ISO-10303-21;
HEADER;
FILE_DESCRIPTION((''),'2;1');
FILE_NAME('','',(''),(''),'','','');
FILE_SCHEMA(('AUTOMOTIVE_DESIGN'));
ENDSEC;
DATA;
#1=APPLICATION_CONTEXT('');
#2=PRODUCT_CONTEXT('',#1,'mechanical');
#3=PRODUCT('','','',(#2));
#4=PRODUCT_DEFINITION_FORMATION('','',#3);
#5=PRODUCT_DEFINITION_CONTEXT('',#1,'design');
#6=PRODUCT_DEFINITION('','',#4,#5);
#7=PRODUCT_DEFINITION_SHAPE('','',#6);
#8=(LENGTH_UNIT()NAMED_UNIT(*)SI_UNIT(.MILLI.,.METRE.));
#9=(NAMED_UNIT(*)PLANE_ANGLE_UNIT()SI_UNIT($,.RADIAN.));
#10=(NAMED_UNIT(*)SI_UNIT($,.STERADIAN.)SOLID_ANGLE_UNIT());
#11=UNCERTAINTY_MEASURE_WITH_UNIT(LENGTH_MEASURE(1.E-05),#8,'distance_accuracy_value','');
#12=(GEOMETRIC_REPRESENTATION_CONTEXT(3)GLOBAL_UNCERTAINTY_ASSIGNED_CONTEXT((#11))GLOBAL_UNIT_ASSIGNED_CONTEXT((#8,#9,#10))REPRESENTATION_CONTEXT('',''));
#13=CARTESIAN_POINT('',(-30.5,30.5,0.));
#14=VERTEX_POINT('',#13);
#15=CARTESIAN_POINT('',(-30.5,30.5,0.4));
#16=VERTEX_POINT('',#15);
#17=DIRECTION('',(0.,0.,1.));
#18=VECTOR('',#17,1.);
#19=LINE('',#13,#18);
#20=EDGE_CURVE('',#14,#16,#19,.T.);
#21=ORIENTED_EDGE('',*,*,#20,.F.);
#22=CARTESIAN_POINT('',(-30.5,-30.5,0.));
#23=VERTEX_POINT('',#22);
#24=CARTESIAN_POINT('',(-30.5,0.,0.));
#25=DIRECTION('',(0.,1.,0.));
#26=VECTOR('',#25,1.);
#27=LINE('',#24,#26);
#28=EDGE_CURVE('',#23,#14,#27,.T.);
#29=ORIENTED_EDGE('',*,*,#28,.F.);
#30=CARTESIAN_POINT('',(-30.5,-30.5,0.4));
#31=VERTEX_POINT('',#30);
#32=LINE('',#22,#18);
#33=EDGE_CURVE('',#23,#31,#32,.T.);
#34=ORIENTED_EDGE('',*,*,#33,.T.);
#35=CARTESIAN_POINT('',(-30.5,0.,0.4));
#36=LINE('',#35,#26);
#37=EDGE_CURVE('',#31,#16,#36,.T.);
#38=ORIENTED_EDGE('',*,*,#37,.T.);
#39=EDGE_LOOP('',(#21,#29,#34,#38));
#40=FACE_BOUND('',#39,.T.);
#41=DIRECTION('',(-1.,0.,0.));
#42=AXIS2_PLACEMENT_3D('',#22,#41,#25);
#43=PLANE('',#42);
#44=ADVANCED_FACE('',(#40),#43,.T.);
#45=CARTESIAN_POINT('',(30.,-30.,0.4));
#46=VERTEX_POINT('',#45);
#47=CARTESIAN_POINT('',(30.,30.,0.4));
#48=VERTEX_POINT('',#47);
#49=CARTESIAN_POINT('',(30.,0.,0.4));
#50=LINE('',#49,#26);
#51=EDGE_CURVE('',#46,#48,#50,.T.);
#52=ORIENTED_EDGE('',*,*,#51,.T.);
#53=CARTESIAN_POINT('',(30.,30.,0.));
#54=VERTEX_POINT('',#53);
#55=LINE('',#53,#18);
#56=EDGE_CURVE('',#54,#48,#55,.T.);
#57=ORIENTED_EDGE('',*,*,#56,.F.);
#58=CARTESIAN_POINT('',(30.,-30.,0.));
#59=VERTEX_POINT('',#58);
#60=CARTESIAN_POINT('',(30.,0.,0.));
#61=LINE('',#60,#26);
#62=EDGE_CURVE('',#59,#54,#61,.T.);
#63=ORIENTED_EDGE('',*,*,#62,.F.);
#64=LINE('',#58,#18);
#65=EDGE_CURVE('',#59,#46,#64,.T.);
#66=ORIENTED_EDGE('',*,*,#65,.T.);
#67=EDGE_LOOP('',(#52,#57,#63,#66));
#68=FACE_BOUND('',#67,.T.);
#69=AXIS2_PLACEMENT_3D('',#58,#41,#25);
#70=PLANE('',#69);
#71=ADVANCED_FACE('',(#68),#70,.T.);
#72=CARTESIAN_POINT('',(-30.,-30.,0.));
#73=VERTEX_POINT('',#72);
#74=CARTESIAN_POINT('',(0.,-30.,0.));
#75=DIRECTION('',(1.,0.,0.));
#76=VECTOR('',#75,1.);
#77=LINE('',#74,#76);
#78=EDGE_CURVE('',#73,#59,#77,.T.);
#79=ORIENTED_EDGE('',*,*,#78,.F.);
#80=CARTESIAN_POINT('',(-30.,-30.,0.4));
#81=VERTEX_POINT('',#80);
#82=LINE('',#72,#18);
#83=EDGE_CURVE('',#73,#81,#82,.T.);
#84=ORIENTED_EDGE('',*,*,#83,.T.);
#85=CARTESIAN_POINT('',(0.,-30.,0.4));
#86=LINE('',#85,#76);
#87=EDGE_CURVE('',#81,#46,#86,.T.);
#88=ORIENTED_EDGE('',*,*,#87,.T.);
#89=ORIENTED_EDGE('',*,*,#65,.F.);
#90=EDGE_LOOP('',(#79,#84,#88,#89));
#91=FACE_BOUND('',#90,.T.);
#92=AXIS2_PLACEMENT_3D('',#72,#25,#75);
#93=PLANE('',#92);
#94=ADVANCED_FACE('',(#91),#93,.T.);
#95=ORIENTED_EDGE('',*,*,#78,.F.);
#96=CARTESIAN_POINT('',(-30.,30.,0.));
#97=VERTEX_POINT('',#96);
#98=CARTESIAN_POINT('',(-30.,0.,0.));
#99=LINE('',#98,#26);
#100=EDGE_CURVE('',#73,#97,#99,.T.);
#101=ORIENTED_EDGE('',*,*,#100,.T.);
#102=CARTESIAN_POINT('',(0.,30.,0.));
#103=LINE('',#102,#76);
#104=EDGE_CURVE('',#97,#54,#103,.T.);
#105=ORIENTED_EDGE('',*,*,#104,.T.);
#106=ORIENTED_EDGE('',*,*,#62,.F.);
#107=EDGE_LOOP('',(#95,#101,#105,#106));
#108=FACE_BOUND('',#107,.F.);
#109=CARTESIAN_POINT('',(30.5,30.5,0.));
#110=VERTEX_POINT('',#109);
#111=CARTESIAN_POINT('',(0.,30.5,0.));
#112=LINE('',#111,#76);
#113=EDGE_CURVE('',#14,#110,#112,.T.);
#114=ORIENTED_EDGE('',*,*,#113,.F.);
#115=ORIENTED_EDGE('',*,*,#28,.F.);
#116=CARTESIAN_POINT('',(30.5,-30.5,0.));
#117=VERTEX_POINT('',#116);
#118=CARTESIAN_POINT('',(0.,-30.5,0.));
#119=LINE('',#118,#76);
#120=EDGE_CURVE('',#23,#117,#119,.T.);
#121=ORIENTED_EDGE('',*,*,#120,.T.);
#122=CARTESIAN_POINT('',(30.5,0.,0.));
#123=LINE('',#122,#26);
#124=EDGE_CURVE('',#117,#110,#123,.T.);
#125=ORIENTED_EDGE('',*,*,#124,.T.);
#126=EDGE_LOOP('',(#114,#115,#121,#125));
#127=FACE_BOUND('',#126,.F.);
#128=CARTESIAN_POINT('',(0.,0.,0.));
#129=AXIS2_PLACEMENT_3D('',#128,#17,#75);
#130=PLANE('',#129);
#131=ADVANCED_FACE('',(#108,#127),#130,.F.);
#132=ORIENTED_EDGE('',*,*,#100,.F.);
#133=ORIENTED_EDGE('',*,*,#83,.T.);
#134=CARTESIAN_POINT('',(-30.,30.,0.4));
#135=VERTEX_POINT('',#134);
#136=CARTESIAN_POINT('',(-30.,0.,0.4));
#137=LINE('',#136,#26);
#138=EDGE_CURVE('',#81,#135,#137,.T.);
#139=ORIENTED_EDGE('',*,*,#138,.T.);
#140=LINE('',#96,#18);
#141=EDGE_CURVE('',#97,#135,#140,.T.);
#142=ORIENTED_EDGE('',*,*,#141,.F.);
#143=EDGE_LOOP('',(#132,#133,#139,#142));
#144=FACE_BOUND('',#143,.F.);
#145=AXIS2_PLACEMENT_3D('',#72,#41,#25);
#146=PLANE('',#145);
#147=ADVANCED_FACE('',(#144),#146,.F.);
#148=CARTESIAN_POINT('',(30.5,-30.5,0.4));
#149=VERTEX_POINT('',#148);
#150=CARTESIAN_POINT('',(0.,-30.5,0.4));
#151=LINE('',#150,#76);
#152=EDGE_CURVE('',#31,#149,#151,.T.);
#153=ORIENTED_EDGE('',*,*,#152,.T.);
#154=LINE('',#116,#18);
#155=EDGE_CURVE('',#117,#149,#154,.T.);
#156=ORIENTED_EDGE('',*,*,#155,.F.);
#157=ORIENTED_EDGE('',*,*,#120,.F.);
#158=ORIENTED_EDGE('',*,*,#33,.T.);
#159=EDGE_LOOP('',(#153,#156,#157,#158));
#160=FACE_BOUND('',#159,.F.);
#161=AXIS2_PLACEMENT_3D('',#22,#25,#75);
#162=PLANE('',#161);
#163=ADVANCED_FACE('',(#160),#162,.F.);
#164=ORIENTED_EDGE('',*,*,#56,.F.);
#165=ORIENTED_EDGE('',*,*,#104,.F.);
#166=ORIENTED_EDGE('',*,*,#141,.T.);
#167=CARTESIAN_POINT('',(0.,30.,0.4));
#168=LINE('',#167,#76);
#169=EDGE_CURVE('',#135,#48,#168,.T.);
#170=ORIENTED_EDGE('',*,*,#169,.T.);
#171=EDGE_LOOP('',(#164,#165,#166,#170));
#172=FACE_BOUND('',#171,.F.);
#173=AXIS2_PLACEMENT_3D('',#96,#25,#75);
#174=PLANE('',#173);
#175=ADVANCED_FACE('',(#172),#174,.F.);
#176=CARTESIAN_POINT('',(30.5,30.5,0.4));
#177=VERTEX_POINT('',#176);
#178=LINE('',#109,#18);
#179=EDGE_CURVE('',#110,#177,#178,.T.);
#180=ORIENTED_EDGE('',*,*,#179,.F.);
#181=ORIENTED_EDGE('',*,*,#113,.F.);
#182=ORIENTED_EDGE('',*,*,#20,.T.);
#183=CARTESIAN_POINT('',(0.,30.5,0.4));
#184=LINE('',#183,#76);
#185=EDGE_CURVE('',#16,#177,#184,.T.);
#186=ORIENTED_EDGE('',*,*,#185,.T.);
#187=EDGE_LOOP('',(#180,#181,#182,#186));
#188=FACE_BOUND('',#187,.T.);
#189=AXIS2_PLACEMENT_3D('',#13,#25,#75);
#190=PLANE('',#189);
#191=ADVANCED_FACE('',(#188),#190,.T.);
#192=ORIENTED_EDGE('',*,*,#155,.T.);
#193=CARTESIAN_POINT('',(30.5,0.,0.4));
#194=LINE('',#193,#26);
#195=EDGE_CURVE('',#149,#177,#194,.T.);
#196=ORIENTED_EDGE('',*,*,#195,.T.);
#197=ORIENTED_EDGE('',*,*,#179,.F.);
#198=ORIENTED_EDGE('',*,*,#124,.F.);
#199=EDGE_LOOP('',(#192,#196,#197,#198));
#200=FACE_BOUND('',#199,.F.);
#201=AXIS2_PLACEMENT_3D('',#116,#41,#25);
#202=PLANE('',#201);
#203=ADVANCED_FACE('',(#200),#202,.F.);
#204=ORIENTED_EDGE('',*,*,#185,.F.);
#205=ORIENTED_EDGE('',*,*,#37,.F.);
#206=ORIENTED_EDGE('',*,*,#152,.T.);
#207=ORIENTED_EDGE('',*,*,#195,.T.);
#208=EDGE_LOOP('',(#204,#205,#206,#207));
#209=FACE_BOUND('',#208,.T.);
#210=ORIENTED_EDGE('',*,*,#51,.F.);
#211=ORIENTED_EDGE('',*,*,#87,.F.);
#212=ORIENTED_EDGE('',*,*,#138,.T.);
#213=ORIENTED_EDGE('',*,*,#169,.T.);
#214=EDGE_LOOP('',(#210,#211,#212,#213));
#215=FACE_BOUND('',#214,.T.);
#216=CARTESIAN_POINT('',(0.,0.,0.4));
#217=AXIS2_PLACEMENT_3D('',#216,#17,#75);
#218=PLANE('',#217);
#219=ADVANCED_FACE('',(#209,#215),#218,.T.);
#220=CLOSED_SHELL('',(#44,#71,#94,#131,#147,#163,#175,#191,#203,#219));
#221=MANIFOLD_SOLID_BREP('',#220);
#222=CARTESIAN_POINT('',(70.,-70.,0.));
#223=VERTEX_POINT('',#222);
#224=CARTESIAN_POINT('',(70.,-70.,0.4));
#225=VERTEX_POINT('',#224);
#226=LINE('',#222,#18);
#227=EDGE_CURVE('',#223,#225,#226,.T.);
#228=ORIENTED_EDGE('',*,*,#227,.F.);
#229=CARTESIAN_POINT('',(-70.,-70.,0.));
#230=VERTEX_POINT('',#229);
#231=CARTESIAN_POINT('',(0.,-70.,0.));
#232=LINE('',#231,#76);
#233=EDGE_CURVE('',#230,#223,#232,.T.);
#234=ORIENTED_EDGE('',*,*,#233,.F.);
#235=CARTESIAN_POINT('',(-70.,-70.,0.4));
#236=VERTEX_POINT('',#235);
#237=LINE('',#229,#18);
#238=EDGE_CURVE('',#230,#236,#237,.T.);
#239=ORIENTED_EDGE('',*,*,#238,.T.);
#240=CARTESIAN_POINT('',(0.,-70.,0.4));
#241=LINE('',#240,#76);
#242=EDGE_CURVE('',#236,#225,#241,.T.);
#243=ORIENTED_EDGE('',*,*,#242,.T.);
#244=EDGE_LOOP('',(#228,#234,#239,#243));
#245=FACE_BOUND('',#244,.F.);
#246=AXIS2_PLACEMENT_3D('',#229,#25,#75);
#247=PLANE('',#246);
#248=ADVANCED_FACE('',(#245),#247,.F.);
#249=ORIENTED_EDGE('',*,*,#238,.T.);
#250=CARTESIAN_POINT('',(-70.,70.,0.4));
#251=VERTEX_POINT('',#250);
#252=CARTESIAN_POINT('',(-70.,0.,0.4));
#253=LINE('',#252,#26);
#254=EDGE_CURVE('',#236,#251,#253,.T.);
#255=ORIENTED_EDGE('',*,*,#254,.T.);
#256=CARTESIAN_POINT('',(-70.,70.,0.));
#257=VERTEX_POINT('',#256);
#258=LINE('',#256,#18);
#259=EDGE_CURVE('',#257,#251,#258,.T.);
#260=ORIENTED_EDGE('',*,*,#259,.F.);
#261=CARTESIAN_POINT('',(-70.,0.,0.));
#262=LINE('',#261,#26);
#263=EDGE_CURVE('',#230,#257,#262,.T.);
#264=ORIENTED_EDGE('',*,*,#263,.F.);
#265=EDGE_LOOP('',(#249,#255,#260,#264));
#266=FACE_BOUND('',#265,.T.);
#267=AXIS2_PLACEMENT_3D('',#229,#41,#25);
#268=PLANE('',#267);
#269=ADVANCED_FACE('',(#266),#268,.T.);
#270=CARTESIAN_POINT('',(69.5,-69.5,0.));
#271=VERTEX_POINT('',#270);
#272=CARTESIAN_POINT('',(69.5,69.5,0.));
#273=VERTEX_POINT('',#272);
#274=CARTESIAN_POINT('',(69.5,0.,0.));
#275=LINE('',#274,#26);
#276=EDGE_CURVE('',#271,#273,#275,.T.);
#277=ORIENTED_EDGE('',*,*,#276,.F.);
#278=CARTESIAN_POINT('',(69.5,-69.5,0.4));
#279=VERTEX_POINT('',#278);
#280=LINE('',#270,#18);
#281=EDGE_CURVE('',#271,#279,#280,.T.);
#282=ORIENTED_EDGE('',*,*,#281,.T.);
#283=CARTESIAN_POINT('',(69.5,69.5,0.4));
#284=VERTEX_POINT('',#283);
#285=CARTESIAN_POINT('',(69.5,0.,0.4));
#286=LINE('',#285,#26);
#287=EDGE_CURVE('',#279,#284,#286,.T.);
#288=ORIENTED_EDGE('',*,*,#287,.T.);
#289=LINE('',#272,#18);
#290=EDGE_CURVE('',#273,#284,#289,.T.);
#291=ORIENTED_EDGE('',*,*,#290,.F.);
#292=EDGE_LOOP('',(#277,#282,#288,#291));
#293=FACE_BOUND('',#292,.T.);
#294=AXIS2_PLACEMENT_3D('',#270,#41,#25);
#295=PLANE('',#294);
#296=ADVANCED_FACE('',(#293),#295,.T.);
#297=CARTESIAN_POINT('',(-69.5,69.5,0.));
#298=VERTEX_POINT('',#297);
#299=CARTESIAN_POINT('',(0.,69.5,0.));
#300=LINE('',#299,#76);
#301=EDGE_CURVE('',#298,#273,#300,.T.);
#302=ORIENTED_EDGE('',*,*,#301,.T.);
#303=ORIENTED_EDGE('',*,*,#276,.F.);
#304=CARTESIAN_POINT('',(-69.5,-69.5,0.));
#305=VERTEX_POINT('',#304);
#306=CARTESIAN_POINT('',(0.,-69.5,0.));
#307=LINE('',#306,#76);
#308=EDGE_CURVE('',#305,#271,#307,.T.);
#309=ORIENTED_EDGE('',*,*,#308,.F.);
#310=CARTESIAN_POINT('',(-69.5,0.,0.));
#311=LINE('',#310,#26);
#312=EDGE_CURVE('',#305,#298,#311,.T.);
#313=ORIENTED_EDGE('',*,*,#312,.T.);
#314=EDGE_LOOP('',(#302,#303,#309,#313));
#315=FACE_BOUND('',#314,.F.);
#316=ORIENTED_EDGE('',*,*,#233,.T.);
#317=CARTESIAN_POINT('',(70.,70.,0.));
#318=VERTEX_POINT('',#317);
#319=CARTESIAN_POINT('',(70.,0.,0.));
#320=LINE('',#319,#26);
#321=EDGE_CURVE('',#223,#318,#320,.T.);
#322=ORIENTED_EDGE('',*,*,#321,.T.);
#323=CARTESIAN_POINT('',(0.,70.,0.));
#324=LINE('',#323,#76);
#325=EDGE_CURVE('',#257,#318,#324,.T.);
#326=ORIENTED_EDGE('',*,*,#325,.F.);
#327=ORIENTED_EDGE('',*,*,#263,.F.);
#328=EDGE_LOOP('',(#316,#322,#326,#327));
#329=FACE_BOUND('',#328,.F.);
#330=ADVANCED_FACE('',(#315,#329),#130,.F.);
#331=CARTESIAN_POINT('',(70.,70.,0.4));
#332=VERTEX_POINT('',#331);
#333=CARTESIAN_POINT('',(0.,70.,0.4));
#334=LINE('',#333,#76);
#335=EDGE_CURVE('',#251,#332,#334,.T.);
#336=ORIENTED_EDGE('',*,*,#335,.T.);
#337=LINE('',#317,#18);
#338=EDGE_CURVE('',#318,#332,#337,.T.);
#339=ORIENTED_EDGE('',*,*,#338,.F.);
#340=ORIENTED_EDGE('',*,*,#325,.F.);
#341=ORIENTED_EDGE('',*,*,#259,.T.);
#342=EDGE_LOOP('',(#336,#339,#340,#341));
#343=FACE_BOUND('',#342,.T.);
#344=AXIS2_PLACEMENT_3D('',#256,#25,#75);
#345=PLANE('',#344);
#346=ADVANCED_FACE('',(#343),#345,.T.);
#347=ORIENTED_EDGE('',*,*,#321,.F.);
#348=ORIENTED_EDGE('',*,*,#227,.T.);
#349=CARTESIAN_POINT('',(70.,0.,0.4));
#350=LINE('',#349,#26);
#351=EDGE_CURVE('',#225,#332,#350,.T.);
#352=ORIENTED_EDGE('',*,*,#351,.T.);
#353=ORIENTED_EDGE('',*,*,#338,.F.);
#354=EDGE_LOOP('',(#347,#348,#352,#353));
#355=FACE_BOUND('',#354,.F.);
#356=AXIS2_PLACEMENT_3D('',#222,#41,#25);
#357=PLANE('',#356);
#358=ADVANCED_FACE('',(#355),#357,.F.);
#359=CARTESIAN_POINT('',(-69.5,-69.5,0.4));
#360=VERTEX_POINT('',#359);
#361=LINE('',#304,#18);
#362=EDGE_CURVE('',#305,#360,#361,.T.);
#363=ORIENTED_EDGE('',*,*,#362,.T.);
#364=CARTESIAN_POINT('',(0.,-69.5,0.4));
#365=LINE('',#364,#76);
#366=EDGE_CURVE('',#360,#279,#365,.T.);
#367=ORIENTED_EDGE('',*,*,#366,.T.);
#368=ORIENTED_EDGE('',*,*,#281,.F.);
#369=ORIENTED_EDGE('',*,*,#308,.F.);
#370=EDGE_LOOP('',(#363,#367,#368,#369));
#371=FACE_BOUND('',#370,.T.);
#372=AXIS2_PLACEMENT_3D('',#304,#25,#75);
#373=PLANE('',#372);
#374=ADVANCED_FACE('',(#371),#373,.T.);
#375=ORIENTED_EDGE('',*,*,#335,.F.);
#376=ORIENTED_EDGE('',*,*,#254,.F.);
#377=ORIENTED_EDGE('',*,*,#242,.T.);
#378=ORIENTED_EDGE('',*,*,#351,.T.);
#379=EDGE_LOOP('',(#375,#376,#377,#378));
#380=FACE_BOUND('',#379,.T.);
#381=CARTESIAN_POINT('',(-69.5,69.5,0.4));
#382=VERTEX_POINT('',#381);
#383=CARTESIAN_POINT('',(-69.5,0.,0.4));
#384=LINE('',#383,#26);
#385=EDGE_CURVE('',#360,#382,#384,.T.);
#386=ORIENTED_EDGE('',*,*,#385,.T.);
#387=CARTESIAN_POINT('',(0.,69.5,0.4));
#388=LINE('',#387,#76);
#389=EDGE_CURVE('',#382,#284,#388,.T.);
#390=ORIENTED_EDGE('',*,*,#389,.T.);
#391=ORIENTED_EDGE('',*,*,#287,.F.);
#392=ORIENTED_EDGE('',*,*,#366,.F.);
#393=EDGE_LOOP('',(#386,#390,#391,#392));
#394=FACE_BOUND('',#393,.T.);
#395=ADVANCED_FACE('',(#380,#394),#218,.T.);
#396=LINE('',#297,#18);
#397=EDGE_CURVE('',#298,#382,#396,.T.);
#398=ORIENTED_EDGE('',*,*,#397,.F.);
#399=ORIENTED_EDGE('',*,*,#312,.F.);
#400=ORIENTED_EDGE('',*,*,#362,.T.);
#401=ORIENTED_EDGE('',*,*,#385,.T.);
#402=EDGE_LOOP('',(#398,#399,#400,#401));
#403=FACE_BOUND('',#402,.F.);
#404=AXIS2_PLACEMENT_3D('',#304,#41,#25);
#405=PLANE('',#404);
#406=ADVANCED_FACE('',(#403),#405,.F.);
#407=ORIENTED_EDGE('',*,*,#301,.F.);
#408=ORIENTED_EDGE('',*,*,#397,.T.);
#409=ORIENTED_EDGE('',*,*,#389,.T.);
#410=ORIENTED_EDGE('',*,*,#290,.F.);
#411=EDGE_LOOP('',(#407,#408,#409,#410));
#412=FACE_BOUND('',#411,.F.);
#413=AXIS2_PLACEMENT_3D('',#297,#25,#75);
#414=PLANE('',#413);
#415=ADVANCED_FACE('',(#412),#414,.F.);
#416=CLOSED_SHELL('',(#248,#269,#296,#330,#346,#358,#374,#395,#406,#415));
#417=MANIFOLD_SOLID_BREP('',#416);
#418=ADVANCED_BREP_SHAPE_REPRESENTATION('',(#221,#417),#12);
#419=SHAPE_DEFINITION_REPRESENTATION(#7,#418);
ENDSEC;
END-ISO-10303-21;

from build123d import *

# Parameters (mm, degrees)
F0_W     = 140
F0_H     = 140
F0_W_2   = 139
F0_H_2   = 139
F0_W_3   = 61
F0_H_3   = 61
F0_W_4   = 60
F0_H_4   = 60
F1_DEPTH = 0.4


with BuildPart() as f1:
    # F0 (on Top) → F1 (new body)
    with BuildSketch(Plane.XY):
        Rectangle(F0_W, F0_H)
        Rectangle(F0_W_2, F0_H_2, mode=Mode.SUBTRACT)
        Rectangle(F0_W_3, F0_H_3)
        Rectangle(F0_W_4, F0_H_4, mode=Mode.SUBTRACT)
    extrude(amount=F1_DEPTH)


solid = f1.part
